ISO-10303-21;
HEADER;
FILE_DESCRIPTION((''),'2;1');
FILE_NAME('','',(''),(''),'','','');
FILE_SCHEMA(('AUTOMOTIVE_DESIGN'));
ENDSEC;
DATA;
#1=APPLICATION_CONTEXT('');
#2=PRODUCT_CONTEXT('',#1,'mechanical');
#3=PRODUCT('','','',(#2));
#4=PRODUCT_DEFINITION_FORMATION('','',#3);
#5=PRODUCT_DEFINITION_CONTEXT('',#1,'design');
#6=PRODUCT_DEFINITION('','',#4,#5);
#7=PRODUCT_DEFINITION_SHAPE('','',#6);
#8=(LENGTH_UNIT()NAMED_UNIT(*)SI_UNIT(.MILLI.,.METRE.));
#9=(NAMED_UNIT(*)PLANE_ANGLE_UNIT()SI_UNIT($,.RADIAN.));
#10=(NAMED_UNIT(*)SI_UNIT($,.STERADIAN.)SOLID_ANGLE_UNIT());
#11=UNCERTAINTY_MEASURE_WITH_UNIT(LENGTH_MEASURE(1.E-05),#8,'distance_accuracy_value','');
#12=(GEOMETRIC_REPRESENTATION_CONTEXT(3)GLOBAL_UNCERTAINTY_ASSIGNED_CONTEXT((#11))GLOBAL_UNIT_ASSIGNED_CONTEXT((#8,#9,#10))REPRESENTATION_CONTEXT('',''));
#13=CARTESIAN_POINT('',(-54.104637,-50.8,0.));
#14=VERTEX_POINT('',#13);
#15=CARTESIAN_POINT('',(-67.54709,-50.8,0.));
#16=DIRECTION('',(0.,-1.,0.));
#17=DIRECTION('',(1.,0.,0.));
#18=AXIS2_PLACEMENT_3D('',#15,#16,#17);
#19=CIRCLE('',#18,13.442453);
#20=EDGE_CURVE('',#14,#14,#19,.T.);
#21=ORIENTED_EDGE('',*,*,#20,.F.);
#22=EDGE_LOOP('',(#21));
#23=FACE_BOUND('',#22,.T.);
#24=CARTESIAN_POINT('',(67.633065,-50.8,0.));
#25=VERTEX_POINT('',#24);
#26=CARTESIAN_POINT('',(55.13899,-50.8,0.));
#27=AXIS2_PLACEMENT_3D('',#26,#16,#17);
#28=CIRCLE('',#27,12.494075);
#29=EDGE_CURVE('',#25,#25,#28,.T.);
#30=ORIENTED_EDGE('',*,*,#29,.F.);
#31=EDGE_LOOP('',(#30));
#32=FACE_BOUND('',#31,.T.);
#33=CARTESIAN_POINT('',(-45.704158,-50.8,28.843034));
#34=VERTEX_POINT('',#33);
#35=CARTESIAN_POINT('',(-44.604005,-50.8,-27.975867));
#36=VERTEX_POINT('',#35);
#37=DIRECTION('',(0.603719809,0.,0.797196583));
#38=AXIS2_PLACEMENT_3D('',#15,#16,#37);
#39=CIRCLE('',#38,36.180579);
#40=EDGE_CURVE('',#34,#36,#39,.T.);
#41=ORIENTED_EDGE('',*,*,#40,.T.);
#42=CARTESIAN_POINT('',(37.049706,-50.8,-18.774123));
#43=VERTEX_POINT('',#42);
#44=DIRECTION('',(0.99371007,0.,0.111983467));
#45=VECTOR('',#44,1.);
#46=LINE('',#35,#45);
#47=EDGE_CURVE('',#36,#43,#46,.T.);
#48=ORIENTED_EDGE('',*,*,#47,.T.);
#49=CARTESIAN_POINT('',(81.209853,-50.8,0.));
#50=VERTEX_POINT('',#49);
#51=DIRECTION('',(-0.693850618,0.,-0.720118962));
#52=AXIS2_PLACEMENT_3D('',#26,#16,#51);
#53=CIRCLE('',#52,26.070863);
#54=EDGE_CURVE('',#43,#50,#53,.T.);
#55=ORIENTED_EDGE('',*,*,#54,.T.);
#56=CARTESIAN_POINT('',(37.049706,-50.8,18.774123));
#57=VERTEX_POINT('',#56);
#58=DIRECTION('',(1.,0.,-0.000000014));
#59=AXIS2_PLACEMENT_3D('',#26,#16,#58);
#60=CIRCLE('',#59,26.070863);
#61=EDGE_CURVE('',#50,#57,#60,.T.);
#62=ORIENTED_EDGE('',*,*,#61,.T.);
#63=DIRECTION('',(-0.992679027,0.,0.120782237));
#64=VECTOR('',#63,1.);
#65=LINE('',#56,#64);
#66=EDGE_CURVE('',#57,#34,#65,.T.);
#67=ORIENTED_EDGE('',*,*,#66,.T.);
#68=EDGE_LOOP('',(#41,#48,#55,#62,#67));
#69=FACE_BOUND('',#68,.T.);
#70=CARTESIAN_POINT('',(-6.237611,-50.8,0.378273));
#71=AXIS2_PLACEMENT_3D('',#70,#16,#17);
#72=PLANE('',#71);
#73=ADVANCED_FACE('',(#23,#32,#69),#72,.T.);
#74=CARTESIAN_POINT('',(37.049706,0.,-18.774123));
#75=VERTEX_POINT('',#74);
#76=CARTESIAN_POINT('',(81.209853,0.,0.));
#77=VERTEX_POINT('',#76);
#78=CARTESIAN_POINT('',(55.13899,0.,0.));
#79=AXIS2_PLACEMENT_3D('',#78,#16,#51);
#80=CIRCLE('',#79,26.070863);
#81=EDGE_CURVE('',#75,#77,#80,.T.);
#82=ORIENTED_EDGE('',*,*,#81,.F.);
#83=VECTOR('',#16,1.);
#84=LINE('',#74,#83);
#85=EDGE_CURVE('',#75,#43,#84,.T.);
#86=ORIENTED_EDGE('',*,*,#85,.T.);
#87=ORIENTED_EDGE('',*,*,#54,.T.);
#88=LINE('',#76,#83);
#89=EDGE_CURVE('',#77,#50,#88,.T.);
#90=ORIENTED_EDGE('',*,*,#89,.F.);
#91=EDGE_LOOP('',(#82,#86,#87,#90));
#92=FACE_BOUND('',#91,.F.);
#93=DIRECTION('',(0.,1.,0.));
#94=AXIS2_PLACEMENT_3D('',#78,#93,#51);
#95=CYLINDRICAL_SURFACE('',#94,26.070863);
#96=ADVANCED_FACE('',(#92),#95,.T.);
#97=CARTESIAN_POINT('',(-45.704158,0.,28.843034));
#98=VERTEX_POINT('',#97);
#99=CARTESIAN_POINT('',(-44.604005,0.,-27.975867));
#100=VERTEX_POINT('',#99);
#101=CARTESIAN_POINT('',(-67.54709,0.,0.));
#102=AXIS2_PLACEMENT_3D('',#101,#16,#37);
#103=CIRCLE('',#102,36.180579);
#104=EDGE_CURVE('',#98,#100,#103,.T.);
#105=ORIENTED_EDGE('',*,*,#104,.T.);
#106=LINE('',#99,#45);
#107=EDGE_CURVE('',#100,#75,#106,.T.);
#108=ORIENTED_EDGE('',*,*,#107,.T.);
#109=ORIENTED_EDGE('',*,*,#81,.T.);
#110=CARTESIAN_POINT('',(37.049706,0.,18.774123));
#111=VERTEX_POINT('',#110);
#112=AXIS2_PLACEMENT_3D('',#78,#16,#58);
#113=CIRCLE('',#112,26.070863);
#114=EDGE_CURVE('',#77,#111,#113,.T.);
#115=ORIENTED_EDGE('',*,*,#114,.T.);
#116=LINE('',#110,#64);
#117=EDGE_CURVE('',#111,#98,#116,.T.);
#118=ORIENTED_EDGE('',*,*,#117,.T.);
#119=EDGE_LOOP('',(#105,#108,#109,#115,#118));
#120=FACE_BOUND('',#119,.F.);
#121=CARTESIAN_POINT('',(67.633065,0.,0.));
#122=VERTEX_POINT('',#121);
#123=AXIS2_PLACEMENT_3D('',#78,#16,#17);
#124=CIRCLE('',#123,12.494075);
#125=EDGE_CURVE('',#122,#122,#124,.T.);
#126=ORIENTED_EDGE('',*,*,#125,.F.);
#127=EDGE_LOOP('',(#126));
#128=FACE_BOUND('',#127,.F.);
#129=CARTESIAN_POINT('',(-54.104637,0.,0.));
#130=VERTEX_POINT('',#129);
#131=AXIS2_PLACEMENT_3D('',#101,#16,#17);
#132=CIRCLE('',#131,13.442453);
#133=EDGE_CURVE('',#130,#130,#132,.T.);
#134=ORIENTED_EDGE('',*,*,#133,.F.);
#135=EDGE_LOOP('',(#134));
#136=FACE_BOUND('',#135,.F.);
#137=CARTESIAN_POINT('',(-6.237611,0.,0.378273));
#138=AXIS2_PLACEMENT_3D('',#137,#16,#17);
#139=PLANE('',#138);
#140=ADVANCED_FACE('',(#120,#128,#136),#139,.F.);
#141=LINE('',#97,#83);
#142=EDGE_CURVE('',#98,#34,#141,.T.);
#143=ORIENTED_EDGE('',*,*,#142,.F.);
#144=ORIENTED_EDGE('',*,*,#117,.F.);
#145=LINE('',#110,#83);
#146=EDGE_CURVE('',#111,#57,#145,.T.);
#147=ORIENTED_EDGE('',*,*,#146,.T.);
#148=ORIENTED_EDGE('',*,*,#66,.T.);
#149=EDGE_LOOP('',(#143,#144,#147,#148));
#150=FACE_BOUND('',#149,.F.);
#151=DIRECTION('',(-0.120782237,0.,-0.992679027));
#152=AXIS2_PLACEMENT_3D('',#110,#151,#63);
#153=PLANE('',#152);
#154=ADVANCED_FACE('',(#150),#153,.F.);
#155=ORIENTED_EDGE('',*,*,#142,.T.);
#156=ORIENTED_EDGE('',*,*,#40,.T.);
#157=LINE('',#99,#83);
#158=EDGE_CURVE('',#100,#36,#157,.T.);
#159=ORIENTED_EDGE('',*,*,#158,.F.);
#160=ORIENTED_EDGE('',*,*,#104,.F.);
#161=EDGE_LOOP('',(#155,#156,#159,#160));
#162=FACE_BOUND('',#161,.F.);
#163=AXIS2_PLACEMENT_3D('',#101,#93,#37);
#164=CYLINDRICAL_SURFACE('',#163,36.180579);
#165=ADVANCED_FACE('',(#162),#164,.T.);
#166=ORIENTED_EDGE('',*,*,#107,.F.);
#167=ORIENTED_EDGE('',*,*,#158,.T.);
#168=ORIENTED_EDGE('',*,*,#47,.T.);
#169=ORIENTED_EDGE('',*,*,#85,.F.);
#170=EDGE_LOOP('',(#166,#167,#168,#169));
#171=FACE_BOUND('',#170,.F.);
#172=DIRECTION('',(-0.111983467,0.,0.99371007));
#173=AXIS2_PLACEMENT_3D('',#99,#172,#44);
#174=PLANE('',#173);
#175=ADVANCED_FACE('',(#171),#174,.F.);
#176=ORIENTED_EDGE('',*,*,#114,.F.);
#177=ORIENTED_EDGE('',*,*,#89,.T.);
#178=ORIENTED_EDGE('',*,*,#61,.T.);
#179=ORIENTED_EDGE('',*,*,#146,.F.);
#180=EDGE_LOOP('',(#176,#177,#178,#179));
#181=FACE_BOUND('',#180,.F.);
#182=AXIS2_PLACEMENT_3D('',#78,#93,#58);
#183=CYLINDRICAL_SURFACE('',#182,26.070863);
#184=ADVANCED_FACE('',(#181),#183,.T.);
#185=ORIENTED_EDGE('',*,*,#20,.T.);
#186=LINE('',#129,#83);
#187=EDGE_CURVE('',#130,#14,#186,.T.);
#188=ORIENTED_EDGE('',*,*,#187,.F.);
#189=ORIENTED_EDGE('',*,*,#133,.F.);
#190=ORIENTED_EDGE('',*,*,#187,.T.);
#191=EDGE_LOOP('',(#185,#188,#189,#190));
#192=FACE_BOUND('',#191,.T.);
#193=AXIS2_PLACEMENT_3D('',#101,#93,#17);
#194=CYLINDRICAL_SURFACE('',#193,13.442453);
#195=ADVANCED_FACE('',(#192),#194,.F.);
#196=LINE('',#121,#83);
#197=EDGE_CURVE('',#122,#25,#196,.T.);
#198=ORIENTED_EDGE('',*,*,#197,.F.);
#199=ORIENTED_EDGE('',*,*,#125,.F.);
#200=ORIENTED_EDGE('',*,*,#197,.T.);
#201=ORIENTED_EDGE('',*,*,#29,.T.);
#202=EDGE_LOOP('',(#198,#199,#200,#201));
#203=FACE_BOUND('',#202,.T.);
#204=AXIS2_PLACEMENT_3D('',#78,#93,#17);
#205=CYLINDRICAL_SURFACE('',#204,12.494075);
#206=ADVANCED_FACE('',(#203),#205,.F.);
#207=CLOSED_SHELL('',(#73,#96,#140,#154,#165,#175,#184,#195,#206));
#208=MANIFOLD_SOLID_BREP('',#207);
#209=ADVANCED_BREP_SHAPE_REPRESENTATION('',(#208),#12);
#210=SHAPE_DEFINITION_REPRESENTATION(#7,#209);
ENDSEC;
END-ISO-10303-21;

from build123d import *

# Parameters (mm, degrees)
F0_R     = 13.442453
F0_R_2   = 12.494075
F1_DEPTH = 50.8


with BuildPart() as f1:
    # F0 (on Front) → F1 (new body)
    with BuildSketch(Plane.XZ):
        with BuildLine():
            ThreePointArc((-45.704158, 28.843034), (-35.148601, 16.105036), (-31.366511, 0))
            ThreePointArc((-31.366511, 0), (-34.842898, -15.474821), (-44.604005, -27.975867))
            Line((-44.604005, -27.975867), (37.049706, -18.774123))
            ThreePointArc((37.049706, -18.774123), (29.068127, 0), (37.049706, 18.774123))
            Line((37.049706, 18.774123), (-45.704158, 28.843034))
        make_face()
        with BuildLine():
            ThreePointArc((-44.604005, -27.975867), (-34.842898, -15.474821), (-31.366511, 0))
            ThreePointArc((-31.366511, 0), (-35.148601, 16.105036), (-45.704158, 28.843034))
            ThreePointArc((-45.704158, 28.843034), (-103.720889, -0.700413), (-44.604005, -27.975867))
        make_face()
        with Locations((-67.54709, 0)):
            Circle(F0_R, mode=Mode.SUBTRACT)
        with BuildLine():
            ThreePointArc((81.209853, 0), (65.339153, 23.992636), (37.049706, 18.774123))
            ThreePointArc((37.049706, 18.774123), (29.068127, 0), (37.049706, -18.774123))
            ThreePointArc((37.049706, -18.774123), (65.339153, -23.992636), (81.209853, 0))
        make_face()
        with Locations((55.13899, 0)):
            Circle(F0_R_2, mode=Mode.SUBTRACT)
    extrude(amount=F1_DEPTH)


solid = f1.part
